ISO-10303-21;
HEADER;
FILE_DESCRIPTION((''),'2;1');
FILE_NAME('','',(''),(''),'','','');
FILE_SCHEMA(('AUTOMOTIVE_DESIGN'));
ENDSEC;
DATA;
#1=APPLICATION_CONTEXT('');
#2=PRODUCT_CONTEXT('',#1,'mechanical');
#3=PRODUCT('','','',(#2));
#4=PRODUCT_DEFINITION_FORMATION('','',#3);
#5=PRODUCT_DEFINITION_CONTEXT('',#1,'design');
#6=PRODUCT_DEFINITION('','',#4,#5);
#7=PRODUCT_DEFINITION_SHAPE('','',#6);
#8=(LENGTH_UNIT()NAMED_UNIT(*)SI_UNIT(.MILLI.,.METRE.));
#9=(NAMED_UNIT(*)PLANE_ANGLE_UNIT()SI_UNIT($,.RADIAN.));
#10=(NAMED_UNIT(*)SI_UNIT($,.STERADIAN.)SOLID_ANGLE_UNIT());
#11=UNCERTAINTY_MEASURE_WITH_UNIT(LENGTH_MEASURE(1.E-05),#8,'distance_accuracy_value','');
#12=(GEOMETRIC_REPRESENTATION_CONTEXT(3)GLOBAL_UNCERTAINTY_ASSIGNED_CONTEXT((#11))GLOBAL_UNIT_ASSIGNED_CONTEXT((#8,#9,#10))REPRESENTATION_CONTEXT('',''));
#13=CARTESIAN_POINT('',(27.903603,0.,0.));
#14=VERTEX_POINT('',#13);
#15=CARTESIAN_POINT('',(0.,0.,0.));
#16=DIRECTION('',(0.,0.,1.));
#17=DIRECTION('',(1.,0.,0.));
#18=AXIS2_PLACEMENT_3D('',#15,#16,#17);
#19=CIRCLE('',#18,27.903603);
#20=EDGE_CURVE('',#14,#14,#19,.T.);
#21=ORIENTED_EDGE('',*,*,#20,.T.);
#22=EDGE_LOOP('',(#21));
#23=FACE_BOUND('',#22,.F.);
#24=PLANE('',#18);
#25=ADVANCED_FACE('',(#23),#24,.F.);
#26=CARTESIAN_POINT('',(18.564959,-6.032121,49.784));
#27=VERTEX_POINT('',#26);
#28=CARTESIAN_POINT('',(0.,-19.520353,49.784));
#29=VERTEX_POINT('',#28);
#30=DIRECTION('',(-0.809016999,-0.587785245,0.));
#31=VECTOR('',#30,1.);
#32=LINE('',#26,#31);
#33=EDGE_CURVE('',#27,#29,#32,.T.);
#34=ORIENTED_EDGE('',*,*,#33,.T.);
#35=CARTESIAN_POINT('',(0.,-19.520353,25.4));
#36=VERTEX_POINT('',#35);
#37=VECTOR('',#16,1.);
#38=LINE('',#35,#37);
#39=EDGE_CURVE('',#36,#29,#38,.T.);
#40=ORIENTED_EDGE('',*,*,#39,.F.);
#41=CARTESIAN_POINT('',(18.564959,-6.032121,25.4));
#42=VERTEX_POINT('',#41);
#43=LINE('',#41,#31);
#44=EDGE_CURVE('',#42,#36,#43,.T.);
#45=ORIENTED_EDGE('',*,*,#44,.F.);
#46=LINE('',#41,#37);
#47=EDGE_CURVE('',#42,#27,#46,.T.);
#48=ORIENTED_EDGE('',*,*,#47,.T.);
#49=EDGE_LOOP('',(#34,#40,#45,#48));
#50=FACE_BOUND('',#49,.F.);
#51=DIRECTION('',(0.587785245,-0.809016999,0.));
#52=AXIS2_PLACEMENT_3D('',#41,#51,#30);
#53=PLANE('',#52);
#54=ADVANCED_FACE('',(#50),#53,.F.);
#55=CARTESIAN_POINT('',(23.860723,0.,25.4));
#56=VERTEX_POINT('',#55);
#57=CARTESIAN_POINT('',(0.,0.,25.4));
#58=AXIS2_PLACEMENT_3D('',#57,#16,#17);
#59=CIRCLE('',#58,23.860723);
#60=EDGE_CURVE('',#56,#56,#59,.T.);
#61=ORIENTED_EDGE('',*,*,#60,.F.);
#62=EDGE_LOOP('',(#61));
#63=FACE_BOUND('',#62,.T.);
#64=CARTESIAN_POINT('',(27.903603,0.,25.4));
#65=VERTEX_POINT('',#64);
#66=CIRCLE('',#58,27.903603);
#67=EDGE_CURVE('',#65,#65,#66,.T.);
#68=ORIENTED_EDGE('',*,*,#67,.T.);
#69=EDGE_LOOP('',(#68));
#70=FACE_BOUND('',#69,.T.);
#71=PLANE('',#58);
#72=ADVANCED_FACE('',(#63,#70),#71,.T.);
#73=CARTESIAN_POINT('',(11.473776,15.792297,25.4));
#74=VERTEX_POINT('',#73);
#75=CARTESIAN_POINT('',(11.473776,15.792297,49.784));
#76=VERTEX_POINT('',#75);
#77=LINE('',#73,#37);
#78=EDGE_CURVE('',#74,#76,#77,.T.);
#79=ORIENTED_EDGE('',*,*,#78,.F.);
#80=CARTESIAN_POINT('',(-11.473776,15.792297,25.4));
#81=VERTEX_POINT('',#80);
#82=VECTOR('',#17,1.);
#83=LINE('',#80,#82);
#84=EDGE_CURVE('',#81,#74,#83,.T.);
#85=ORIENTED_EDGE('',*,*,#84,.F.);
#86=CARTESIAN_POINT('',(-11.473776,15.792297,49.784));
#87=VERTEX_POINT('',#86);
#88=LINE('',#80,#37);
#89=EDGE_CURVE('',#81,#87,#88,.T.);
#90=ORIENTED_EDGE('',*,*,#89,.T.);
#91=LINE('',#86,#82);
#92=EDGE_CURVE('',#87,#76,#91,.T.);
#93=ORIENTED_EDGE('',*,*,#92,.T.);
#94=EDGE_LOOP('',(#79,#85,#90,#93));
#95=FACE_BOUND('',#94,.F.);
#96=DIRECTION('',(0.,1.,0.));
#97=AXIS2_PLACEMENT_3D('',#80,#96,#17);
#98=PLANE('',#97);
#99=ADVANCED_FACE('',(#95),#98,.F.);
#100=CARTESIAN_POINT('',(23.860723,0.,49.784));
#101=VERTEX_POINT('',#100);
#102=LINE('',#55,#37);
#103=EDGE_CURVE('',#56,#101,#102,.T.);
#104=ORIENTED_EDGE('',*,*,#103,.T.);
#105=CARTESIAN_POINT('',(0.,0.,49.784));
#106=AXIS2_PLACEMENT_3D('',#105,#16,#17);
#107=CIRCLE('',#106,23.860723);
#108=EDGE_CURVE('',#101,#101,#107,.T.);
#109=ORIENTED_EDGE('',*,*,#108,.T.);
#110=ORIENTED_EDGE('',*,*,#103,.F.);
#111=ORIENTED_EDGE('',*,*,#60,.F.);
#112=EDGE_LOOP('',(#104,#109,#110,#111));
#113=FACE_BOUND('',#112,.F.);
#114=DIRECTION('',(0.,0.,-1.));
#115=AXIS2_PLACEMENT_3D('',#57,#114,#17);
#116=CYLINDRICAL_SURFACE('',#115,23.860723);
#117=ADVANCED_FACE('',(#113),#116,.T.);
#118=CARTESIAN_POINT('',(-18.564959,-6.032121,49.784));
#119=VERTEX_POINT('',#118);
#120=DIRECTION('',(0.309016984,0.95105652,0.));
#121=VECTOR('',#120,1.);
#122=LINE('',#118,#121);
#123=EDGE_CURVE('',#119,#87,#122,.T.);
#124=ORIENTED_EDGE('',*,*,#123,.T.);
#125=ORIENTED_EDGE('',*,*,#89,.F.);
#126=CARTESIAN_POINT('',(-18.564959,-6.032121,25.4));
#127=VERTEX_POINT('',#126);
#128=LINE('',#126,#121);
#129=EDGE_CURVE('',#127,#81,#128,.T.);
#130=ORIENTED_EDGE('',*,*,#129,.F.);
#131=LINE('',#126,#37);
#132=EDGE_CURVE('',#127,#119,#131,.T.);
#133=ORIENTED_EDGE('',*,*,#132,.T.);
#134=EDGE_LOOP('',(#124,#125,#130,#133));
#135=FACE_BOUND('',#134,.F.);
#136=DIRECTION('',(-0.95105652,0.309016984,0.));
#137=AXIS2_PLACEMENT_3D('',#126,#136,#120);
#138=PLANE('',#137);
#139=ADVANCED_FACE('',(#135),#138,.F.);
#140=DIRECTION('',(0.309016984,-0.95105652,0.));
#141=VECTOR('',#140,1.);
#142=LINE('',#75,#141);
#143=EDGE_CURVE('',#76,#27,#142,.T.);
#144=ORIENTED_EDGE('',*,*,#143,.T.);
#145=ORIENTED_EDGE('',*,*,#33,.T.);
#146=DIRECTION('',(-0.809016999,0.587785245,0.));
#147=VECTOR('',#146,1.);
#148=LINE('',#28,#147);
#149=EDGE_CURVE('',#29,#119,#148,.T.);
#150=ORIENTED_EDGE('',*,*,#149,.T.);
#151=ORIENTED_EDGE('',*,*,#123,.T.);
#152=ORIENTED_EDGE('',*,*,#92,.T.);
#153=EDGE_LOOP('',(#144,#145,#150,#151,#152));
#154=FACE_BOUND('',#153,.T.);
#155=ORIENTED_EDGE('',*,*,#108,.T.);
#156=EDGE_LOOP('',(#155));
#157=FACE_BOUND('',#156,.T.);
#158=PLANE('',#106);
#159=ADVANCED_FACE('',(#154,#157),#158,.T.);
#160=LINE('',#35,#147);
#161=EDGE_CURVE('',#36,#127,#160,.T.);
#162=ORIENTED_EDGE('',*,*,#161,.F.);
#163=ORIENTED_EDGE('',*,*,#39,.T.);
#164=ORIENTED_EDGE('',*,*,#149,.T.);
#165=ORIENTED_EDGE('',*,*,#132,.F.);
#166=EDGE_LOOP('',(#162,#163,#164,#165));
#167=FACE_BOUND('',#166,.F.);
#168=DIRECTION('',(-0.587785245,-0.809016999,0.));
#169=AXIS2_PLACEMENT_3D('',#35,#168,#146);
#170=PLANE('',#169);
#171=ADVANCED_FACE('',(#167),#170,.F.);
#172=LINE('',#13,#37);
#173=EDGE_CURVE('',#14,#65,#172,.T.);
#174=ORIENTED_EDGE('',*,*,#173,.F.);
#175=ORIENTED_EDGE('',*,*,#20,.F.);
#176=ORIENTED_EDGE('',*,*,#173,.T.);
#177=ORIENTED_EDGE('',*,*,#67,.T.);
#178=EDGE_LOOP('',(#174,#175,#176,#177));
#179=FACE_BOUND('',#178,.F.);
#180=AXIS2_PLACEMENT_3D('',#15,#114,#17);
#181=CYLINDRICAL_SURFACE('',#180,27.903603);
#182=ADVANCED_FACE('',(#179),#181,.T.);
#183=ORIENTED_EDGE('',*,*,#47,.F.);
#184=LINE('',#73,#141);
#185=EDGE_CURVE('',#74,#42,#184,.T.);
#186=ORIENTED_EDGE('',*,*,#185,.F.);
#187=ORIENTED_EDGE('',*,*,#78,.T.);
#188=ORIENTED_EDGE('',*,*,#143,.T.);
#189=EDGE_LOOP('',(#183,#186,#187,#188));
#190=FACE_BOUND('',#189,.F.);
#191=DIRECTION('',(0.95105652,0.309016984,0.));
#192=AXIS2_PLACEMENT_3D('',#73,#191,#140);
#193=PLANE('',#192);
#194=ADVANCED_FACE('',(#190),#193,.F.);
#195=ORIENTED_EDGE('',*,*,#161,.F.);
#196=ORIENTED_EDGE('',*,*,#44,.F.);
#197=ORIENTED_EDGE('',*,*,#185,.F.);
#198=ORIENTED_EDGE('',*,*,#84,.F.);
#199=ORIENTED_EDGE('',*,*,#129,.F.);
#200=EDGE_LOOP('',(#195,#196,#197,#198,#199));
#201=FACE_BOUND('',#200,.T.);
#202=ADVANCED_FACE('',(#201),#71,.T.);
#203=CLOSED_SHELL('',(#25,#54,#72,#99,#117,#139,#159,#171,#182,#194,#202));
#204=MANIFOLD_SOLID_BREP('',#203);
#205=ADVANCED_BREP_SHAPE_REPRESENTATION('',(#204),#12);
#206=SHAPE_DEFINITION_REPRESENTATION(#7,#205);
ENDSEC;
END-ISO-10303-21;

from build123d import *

# Parameters (mm, degrees)
F0_R     = 27.903603
F1_DEPTH = 25.4
F2_R     = 23.860723
F3_DEPTH = 24.384


with BuildPart() as f1:
    # F0 (on Top) → F1 (new body)
    with BuildSketch(Plane.XY):
        Circle(F0_R)
    extrude(amount=F1_DEPTH)

    # F2 (on face) → F3 (join)
    with BuildSketch(Plane.XY.offset(25.4)):
        Circle(F2_R)
        Polygon((-18.564959, -6.032121), (-11.473776, 15.792297), (11.473776, 15.792297), (18.564959, -6.032121), (0, -19.520353), align=None, mode=Mode.SUBTRACT)
    extrude(amount=F3_DEPTH)


solid = f1.part
